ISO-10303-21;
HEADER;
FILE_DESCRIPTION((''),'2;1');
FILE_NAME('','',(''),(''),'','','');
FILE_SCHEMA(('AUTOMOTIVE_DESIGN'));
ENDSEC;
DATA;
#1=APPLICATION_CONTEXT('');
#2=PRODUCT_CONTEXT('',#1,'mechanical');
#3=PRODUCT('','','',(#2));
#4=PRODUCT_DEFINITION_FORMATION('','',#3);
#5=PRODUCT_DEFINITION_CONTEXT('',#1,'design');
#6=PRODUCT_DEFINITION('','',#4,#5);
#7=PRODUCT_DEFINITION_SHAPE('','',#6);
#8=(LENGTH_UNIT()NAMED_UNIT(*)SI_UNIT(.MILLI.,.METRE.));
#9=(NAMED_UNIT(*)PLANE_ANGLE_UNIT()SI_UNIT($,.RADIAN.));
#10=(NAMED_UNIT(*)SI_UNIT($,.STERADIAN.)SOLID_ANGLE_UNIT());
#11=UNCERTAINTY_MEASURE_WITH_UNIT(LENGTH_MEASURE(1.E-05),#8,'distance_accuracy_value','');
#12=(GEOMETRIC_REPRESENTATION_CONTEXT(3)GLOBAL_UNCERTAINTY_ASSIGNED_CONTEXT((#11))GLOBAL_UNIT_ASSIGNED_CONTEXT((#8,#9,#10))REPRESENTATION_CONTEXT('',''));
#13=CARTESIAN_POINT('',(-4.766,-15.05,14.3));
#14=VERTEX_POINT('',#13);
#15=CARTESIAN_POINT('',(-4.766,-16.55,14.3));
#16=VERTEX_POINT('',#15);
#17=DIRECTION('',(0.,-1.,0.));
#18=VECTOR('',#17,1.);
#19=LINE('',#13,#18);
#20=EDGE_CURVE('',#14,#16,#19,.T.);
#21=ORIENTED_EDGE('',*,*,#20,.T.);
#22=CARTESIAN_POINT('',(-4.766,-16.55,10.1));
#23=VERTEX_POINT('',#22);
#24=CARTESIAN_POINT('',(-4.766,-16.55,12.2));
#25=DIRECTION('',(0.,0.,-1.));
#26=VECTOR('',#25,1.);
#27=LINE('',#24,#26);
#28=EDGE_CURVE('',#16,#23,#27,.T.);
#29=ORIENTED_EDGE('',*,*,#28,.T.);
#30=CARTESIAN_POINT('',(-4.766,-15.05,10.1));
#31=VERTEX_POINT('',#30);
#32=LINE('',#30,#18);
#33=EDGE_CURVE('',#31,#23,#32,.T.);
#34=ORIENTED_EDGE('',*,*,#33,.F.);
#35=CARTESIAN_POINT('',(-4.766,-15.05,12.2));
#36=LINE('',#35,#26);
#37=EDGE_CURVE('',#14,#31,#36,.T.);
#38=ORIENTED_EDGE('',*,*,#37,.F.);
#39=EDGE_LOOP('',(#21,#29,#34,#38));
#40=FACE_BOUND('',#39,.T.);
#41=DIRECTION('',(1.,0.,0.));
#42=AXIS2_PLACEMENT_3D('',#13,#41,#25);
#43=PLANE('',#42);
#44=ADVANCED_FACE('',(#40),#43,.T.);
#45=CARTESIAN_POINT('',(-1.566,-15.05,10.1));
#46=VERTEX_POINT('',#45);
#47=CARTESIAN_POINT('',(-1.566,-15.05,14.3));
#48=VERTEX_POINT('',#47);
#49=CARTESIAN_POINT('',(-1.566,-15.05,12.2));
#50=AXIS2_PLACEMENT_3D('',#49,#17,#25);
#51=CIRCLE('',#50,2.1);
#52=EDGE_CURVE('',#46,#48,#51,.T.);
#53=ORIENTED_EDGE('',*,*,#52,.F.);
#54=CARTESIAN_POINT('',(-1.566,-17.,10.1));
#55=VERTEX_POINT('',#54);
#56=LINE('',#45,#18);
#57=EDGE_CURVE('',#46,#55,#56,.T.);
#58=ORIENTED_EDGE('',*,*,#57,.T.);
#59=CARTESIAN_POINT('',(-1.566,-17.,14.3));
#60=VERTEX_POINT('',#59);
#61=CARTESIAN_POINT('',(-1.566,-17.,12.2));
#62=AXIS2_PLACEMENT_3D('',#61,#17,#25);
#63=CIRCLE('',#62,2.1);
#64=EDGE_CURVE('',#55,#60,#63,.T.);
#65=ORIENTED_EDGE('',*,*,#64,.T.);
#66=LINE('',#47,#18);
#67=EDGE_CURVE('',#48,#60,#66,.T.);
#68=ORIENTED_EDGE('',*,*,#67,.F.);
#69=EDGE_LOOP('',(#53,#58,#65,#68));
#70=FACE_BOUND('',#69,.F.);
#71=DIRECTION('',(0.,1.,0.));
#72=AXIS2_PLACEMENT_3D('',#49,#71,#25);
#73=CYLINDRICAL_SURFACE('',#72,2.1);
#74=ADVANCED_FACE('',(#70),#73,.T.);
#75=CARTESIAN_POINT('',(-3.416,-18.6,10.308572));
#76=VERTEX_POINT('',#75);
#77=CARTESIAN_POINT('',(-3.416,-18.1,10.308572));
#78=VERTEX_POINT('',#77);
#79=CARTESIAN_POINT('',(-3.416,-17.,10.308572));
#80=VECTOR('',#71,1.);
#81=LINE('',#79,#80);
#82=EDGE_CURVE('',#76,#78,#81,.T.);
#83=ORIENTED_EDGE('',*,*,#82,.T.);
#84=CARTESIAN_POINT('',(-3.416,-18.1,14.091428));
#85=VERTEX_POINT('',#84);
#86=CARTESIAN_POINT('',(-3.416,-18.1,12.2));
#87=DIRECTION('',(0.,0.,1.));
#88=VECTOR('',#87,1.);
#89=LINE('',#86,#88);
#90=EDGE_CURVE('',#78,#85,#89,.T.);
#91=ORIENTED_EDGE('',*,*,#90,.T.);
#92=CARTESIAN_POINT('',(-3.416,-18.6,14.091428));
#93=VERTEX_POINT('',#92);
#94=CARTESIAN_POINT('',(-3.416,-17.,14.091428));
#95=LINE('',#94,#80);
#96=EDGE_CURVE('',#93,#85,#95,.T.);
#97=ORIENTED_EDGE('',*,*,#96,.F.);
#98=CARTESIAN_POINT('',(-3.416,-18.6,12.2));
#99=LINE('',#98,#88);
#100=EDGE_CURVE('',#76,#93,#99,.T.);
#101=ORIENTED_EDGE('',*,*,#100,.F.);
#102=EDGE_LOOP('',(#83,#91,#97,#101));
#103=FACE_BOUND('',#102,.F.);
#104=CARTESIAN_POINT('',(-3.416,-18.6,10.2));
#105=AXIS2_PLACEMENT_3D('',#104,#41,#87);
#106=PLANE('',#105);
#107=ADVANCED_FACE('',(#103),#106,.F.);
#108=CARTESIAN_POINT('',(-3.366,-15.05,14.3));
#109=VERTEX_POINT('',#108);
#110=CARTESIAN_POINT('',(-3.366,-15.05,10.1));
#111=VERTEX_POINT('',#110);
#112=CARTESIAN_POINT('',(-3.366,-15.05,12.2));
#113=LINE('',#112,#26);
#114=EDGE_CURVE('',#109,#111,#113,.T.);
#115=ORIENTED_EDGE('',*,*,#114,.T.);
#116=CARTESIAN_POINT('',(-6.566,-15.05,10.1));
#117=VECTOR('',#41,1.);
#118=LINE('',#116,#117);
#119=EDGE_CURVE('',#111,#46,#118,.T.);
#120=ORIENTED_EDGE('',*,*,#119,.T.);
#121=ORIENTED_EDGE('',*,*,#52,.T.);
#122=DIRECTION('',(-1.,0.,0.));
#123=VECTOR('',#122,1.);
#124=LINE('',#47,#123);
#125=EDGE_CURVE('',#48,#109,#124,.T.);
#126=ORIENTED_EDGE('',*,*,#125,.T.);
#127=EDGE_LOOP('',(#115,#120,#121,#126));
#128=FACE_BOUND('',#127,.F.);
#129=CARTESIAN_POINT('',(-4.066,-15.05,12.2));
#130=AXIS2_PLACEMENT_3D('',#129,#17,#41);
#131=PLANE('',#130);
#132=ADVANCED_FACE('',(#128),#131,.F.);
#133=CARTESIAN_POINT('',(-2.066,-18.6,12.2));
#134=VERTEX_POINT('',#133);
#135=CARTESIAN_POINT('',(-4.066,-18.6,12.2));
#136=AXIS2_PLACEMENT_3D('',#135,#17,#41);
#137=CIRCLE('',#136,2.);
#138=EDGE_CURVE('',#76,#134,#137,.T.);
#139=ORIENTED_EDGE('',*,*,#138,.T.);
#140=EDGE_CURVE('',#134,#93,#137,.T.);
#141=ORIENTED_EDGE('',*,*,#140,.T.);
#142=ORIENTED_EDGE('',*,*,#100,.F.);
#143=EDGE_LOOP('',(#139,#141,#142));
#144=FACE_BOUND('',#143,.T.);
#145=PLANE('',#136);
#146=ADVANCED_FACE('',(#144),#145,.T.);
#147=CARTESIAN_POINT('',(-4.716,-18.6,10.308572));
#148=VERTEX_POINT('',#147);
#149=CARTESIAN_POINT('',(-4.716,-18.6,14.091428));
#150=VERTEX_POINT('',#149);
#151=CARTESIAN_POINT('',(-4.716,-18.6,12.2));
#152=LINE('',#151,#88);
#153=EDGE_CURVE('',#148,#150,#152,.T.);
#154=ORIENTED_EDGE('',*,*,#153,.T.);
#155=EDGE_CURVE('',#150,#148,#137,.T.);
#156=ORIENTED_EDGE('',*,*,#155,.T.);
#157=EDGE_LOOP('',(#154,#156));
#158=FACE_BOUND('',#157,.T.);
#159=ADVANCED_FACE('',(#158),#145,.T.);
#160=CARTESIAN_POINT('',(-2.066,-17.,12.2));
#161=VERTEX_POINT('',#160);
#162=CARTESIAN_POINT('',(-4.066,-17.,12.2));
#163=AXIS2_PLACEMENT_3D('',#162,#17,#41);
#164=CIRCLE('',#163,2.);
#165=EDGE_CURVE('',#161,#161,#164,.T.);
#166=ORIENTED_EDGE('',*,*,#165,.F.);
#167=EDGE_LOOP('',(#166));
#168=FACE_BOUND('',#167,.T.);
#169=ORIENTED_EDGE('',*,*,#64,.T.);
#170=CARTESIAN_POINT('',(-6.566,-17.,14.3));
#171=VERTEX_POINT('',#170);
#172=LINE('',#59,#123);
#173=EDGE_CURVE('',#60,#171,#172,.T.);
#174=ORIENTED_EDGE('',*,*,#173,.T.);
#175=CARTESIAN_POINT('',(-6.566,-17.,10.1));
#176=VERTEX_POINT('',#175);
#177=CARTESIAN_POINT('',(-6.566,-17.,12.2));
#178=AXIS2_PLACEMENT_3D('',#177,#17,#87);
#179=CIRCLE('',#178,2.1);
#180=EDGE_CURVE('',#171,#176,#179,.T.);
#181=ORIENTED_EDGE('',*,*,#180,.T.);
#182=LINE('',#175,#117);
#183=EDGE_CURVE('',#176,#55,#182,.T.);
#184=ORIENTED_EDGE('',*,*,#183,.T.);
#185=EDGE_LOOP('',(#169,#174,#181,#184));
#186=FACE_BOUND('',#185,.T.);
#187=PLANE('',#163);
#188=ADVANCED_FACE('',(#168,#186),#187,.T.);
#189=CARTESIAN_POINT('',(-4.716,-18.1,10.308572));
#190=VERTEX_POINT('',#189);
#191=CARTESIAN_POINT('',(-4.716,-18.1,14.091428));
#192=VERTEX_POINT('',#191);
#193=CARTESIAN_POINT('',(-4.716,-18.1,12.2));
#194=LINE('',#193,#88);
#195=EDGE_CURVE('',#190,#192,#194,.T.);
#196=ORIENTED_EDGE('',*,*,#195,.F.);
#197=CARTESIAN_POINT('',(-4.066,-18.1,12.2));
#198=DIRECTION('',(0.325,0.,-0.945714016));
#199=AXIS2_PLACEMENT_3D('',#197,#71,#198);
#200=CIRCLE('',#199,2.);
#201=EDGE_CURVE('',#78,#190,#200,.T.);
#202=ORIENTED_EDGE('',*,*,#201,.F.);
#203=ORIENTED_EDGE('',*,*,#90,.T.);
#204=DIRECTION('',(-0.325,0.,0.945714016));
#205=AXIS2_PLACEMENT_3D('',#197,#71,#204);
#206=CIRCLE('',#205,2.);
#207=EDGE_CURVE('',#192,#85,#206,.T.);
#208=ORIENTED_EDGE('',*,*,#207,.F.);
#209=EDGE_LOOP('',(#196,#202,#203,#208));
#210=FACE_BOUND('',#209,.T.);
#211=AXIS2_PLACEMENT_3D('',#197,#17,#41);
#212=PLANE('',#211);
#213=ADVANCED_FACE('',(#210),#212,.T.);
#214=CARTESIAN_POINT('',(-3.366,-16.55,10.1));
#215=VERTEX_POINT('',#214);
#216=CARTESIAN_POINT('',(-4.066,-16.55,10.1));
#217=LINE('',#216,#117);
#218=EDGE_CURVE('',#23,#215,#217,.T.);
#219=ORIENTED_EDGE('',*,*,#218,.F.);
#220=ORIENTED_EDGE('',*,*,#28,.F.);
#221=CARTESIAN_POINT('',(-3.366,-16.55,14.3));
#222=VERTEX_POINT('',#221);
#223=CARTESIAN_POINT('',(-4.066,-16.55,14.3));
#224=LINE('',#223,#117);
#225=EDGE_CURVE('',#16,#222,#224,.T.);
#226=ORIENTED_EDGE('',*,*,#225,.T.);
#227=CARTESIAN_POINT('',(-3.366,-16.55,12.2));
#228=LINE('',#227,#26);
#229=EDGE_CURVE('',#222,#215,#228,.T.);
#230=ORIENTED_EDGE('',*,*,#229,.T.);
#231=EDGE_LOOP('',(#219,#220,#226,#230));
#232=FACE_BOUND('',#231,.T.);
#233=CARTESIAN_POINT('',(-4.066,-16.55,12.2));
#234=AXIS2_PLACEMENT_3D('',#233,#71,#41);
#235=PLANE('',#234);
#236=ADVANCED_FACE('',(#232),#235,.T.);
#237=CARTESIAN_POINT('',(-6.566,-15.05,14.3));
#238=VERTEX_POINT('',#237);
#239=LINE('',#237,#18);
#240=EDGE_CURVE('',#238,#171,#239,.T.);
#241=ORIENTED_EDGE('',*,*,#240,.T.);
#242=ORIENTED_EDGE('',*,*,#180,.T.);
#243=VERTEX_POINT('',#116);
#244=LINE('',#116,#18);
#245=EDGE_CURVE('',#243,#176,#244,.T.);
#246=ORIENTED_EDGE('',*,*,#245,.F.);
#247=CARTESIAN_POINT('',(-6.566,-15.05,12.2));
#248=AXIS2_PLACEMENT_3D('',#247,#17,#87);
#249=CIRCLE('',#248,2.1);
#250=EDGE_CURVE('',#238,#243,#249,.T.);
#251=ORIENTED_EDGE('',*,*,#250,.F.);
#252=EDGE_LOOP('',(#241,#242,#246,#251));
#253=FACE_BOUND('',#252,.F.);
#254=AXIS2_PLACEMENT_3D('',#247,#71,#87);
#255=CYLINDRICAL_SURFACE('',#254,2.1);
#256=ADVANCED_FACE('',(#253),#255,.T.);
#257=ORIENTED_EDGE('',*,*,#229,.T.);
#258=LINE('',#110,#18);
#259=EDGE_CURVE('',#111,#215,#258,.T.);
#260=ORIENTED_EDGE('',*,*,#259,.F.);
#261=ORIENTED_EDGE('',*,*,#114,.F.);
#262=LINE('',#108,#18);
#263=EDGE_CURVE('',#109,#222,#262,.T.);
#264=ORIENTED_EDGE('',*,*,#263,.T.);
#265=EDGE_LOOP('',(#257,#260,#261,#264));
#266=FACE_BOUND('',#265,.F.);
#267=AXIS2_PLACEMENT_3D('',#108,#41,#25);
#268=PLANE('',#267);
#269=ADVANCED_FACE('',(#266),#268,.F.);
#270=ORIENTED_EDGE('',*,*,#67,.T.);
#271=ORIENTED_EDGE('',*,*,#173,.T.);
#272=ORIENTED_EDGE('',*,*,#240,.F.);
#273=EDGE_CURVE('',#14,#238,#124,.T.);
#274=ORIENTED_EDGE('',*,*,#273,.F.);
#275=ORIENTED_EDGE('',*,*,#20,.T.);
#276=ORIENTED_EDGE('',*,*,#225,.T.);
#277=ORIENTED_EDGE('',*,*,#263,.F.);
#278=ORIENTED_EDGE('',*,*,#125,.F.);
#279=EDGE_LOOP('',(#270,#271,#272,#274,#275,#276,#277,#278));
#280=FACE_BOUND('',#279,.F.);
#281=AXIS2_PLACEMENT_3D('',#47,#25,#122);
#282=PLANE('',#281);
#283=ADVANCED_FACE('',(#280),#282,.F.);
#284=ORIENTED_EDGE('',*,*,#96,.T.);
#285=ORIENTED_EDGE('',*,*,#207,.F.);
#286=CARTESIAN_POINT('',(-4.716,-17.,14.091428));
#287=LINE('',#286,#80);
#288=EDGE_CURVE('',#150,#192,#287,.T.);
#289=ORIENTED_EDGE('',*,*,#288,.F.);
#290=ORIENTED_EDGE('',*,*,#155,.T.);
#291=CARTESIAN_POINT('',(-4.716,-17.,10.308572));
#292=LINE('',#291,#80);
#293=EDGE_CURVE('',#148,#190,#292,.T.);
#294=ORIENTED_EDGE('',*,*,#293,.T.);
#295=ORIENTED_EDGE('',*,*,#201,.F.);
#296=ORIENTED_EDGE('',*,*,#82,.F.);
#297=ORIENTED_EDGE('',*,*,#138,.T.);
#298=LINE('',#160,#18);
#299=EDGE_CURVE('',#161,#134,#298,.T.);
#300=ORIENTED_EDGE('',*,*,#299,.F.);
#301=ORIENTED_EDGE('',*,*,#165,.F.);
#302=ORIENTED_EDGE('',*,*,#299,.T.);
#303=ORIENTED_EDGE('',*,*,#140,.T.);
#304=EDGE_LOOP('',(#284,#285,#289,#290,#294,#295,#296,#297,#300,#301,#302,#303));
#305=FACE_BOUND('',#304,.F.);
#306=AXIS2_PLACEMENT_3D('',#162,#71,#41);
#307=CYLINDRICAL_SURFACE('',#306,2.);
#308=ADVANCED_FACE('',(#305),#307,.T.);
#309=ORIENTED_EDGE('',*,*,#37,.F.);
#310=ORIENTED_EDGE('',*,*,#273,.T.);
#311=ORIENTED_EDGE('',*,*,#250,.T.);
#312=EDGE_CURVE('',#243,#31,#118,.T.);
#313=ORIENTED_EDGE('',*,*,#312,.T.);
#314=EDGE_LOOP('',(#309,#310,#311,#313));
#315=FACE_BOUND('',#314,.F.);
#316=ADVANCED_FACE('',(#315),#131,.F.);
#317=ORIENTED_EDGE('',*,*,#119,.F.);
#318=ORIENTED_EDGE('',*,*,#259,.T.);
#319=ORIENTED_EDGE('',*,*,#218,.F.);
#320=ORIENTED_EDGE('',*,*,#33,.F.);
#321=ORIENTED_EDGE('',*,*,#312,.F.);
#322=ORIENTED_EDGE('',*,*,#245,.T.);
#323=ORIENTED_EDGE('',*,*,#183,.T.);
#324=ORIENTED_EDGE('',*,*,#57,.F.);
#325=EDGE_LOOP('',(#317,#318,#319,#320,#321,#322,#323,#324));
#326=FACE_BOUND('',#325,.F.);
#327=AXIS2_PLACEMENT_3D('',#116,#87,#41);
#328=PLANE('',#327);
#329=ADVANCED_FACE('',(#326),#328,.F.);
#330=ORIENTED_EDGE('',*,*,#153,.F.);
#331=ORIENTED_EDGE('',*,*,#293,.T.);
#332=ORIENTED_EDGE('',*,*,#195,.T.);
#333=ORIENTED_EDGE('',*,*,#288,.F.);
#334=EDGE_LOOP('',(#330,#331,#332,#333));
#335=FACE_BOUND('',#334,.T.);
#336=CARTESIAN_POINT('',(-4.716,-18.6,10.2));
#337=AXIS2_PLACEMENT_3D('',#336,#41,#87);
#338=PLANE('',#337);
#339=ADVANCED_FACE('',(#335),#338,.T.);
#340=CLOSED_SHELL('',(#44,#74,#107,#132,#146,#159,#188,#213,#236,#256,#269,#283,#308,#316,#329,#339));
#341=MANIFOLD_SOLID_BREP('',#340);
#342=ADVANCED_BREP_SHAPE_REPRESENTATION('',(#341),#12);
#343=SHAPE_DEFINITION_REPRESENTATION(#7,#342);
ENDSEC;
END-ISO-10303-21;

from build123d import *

# Parameters (mm, degrees)
PAD002_DEPTH    = 1.95
SKETCH008_R     = 2
PAD003_DEPTH    = 1.6
SKETCH009_W     = 1.4
SKETCH009_H     = 4.2
POCKET005_DEPTH = 1.5
SKETCH010_W     = 1.3
SKETCH010_H     = 4
POCKET006_DEPTH = 0.5


with BuildPart() as part:
    # Sketch007 → Pad002 (new body)
    with BuildSketch(Plane.XZ):
        with BuildLine():
            ThreePointArc((-2.5, 2.1), (-4.6, 0), (-2.5, -2.1))
            Line((-2.5, -2.1), (2.5, -2.1))
            ThreePointArc((2.5, -2.1), (4.6, 0), (2.5, 2.1))
            Line((2.5, 2.1), (-2.5, 2.1))
        make_face()
    extrude(amount=PAD002_DEPTH)

    # Sketch008 (on Face6 of Pad002) → Pad003 (join)
    with BuildSketch(Plane.XZ.offset(1.95)):
        Circle(SKETCH008_R)
    extrude(amount=PAD003_DEPTH)

    # Sketch009 (on Face4 of Pad003) → Pocket005 (cut)
    with BuildSketch(Plane(origin=(0, 0, 0), x_dir=(1, 0, 0), z_dir=(0, 1, 0))):
        Rectangle(SKETCH009_W, SKETCH009_H)
    extrude(amount=-POCKET005_DEPTH, mode=Mode.SUBTRACT)

    # Sketch010 (on Face12 of Pocket005) → Pocket006 (cut)
    with BuildSketch(Plane.XZ.offset(3.55)):
        Rectangle(SKETCH010_W, SKETCH010_H)
    extrude(amount=-POCKET006_DEPTH, mode=Mode.SUBTRACT)


with BuildPart() as part_1:
    # Body001 placement: moved
    add(part.part.moved(Location((-4.066, -15.05, 12.2))))


solid = part_1.part
